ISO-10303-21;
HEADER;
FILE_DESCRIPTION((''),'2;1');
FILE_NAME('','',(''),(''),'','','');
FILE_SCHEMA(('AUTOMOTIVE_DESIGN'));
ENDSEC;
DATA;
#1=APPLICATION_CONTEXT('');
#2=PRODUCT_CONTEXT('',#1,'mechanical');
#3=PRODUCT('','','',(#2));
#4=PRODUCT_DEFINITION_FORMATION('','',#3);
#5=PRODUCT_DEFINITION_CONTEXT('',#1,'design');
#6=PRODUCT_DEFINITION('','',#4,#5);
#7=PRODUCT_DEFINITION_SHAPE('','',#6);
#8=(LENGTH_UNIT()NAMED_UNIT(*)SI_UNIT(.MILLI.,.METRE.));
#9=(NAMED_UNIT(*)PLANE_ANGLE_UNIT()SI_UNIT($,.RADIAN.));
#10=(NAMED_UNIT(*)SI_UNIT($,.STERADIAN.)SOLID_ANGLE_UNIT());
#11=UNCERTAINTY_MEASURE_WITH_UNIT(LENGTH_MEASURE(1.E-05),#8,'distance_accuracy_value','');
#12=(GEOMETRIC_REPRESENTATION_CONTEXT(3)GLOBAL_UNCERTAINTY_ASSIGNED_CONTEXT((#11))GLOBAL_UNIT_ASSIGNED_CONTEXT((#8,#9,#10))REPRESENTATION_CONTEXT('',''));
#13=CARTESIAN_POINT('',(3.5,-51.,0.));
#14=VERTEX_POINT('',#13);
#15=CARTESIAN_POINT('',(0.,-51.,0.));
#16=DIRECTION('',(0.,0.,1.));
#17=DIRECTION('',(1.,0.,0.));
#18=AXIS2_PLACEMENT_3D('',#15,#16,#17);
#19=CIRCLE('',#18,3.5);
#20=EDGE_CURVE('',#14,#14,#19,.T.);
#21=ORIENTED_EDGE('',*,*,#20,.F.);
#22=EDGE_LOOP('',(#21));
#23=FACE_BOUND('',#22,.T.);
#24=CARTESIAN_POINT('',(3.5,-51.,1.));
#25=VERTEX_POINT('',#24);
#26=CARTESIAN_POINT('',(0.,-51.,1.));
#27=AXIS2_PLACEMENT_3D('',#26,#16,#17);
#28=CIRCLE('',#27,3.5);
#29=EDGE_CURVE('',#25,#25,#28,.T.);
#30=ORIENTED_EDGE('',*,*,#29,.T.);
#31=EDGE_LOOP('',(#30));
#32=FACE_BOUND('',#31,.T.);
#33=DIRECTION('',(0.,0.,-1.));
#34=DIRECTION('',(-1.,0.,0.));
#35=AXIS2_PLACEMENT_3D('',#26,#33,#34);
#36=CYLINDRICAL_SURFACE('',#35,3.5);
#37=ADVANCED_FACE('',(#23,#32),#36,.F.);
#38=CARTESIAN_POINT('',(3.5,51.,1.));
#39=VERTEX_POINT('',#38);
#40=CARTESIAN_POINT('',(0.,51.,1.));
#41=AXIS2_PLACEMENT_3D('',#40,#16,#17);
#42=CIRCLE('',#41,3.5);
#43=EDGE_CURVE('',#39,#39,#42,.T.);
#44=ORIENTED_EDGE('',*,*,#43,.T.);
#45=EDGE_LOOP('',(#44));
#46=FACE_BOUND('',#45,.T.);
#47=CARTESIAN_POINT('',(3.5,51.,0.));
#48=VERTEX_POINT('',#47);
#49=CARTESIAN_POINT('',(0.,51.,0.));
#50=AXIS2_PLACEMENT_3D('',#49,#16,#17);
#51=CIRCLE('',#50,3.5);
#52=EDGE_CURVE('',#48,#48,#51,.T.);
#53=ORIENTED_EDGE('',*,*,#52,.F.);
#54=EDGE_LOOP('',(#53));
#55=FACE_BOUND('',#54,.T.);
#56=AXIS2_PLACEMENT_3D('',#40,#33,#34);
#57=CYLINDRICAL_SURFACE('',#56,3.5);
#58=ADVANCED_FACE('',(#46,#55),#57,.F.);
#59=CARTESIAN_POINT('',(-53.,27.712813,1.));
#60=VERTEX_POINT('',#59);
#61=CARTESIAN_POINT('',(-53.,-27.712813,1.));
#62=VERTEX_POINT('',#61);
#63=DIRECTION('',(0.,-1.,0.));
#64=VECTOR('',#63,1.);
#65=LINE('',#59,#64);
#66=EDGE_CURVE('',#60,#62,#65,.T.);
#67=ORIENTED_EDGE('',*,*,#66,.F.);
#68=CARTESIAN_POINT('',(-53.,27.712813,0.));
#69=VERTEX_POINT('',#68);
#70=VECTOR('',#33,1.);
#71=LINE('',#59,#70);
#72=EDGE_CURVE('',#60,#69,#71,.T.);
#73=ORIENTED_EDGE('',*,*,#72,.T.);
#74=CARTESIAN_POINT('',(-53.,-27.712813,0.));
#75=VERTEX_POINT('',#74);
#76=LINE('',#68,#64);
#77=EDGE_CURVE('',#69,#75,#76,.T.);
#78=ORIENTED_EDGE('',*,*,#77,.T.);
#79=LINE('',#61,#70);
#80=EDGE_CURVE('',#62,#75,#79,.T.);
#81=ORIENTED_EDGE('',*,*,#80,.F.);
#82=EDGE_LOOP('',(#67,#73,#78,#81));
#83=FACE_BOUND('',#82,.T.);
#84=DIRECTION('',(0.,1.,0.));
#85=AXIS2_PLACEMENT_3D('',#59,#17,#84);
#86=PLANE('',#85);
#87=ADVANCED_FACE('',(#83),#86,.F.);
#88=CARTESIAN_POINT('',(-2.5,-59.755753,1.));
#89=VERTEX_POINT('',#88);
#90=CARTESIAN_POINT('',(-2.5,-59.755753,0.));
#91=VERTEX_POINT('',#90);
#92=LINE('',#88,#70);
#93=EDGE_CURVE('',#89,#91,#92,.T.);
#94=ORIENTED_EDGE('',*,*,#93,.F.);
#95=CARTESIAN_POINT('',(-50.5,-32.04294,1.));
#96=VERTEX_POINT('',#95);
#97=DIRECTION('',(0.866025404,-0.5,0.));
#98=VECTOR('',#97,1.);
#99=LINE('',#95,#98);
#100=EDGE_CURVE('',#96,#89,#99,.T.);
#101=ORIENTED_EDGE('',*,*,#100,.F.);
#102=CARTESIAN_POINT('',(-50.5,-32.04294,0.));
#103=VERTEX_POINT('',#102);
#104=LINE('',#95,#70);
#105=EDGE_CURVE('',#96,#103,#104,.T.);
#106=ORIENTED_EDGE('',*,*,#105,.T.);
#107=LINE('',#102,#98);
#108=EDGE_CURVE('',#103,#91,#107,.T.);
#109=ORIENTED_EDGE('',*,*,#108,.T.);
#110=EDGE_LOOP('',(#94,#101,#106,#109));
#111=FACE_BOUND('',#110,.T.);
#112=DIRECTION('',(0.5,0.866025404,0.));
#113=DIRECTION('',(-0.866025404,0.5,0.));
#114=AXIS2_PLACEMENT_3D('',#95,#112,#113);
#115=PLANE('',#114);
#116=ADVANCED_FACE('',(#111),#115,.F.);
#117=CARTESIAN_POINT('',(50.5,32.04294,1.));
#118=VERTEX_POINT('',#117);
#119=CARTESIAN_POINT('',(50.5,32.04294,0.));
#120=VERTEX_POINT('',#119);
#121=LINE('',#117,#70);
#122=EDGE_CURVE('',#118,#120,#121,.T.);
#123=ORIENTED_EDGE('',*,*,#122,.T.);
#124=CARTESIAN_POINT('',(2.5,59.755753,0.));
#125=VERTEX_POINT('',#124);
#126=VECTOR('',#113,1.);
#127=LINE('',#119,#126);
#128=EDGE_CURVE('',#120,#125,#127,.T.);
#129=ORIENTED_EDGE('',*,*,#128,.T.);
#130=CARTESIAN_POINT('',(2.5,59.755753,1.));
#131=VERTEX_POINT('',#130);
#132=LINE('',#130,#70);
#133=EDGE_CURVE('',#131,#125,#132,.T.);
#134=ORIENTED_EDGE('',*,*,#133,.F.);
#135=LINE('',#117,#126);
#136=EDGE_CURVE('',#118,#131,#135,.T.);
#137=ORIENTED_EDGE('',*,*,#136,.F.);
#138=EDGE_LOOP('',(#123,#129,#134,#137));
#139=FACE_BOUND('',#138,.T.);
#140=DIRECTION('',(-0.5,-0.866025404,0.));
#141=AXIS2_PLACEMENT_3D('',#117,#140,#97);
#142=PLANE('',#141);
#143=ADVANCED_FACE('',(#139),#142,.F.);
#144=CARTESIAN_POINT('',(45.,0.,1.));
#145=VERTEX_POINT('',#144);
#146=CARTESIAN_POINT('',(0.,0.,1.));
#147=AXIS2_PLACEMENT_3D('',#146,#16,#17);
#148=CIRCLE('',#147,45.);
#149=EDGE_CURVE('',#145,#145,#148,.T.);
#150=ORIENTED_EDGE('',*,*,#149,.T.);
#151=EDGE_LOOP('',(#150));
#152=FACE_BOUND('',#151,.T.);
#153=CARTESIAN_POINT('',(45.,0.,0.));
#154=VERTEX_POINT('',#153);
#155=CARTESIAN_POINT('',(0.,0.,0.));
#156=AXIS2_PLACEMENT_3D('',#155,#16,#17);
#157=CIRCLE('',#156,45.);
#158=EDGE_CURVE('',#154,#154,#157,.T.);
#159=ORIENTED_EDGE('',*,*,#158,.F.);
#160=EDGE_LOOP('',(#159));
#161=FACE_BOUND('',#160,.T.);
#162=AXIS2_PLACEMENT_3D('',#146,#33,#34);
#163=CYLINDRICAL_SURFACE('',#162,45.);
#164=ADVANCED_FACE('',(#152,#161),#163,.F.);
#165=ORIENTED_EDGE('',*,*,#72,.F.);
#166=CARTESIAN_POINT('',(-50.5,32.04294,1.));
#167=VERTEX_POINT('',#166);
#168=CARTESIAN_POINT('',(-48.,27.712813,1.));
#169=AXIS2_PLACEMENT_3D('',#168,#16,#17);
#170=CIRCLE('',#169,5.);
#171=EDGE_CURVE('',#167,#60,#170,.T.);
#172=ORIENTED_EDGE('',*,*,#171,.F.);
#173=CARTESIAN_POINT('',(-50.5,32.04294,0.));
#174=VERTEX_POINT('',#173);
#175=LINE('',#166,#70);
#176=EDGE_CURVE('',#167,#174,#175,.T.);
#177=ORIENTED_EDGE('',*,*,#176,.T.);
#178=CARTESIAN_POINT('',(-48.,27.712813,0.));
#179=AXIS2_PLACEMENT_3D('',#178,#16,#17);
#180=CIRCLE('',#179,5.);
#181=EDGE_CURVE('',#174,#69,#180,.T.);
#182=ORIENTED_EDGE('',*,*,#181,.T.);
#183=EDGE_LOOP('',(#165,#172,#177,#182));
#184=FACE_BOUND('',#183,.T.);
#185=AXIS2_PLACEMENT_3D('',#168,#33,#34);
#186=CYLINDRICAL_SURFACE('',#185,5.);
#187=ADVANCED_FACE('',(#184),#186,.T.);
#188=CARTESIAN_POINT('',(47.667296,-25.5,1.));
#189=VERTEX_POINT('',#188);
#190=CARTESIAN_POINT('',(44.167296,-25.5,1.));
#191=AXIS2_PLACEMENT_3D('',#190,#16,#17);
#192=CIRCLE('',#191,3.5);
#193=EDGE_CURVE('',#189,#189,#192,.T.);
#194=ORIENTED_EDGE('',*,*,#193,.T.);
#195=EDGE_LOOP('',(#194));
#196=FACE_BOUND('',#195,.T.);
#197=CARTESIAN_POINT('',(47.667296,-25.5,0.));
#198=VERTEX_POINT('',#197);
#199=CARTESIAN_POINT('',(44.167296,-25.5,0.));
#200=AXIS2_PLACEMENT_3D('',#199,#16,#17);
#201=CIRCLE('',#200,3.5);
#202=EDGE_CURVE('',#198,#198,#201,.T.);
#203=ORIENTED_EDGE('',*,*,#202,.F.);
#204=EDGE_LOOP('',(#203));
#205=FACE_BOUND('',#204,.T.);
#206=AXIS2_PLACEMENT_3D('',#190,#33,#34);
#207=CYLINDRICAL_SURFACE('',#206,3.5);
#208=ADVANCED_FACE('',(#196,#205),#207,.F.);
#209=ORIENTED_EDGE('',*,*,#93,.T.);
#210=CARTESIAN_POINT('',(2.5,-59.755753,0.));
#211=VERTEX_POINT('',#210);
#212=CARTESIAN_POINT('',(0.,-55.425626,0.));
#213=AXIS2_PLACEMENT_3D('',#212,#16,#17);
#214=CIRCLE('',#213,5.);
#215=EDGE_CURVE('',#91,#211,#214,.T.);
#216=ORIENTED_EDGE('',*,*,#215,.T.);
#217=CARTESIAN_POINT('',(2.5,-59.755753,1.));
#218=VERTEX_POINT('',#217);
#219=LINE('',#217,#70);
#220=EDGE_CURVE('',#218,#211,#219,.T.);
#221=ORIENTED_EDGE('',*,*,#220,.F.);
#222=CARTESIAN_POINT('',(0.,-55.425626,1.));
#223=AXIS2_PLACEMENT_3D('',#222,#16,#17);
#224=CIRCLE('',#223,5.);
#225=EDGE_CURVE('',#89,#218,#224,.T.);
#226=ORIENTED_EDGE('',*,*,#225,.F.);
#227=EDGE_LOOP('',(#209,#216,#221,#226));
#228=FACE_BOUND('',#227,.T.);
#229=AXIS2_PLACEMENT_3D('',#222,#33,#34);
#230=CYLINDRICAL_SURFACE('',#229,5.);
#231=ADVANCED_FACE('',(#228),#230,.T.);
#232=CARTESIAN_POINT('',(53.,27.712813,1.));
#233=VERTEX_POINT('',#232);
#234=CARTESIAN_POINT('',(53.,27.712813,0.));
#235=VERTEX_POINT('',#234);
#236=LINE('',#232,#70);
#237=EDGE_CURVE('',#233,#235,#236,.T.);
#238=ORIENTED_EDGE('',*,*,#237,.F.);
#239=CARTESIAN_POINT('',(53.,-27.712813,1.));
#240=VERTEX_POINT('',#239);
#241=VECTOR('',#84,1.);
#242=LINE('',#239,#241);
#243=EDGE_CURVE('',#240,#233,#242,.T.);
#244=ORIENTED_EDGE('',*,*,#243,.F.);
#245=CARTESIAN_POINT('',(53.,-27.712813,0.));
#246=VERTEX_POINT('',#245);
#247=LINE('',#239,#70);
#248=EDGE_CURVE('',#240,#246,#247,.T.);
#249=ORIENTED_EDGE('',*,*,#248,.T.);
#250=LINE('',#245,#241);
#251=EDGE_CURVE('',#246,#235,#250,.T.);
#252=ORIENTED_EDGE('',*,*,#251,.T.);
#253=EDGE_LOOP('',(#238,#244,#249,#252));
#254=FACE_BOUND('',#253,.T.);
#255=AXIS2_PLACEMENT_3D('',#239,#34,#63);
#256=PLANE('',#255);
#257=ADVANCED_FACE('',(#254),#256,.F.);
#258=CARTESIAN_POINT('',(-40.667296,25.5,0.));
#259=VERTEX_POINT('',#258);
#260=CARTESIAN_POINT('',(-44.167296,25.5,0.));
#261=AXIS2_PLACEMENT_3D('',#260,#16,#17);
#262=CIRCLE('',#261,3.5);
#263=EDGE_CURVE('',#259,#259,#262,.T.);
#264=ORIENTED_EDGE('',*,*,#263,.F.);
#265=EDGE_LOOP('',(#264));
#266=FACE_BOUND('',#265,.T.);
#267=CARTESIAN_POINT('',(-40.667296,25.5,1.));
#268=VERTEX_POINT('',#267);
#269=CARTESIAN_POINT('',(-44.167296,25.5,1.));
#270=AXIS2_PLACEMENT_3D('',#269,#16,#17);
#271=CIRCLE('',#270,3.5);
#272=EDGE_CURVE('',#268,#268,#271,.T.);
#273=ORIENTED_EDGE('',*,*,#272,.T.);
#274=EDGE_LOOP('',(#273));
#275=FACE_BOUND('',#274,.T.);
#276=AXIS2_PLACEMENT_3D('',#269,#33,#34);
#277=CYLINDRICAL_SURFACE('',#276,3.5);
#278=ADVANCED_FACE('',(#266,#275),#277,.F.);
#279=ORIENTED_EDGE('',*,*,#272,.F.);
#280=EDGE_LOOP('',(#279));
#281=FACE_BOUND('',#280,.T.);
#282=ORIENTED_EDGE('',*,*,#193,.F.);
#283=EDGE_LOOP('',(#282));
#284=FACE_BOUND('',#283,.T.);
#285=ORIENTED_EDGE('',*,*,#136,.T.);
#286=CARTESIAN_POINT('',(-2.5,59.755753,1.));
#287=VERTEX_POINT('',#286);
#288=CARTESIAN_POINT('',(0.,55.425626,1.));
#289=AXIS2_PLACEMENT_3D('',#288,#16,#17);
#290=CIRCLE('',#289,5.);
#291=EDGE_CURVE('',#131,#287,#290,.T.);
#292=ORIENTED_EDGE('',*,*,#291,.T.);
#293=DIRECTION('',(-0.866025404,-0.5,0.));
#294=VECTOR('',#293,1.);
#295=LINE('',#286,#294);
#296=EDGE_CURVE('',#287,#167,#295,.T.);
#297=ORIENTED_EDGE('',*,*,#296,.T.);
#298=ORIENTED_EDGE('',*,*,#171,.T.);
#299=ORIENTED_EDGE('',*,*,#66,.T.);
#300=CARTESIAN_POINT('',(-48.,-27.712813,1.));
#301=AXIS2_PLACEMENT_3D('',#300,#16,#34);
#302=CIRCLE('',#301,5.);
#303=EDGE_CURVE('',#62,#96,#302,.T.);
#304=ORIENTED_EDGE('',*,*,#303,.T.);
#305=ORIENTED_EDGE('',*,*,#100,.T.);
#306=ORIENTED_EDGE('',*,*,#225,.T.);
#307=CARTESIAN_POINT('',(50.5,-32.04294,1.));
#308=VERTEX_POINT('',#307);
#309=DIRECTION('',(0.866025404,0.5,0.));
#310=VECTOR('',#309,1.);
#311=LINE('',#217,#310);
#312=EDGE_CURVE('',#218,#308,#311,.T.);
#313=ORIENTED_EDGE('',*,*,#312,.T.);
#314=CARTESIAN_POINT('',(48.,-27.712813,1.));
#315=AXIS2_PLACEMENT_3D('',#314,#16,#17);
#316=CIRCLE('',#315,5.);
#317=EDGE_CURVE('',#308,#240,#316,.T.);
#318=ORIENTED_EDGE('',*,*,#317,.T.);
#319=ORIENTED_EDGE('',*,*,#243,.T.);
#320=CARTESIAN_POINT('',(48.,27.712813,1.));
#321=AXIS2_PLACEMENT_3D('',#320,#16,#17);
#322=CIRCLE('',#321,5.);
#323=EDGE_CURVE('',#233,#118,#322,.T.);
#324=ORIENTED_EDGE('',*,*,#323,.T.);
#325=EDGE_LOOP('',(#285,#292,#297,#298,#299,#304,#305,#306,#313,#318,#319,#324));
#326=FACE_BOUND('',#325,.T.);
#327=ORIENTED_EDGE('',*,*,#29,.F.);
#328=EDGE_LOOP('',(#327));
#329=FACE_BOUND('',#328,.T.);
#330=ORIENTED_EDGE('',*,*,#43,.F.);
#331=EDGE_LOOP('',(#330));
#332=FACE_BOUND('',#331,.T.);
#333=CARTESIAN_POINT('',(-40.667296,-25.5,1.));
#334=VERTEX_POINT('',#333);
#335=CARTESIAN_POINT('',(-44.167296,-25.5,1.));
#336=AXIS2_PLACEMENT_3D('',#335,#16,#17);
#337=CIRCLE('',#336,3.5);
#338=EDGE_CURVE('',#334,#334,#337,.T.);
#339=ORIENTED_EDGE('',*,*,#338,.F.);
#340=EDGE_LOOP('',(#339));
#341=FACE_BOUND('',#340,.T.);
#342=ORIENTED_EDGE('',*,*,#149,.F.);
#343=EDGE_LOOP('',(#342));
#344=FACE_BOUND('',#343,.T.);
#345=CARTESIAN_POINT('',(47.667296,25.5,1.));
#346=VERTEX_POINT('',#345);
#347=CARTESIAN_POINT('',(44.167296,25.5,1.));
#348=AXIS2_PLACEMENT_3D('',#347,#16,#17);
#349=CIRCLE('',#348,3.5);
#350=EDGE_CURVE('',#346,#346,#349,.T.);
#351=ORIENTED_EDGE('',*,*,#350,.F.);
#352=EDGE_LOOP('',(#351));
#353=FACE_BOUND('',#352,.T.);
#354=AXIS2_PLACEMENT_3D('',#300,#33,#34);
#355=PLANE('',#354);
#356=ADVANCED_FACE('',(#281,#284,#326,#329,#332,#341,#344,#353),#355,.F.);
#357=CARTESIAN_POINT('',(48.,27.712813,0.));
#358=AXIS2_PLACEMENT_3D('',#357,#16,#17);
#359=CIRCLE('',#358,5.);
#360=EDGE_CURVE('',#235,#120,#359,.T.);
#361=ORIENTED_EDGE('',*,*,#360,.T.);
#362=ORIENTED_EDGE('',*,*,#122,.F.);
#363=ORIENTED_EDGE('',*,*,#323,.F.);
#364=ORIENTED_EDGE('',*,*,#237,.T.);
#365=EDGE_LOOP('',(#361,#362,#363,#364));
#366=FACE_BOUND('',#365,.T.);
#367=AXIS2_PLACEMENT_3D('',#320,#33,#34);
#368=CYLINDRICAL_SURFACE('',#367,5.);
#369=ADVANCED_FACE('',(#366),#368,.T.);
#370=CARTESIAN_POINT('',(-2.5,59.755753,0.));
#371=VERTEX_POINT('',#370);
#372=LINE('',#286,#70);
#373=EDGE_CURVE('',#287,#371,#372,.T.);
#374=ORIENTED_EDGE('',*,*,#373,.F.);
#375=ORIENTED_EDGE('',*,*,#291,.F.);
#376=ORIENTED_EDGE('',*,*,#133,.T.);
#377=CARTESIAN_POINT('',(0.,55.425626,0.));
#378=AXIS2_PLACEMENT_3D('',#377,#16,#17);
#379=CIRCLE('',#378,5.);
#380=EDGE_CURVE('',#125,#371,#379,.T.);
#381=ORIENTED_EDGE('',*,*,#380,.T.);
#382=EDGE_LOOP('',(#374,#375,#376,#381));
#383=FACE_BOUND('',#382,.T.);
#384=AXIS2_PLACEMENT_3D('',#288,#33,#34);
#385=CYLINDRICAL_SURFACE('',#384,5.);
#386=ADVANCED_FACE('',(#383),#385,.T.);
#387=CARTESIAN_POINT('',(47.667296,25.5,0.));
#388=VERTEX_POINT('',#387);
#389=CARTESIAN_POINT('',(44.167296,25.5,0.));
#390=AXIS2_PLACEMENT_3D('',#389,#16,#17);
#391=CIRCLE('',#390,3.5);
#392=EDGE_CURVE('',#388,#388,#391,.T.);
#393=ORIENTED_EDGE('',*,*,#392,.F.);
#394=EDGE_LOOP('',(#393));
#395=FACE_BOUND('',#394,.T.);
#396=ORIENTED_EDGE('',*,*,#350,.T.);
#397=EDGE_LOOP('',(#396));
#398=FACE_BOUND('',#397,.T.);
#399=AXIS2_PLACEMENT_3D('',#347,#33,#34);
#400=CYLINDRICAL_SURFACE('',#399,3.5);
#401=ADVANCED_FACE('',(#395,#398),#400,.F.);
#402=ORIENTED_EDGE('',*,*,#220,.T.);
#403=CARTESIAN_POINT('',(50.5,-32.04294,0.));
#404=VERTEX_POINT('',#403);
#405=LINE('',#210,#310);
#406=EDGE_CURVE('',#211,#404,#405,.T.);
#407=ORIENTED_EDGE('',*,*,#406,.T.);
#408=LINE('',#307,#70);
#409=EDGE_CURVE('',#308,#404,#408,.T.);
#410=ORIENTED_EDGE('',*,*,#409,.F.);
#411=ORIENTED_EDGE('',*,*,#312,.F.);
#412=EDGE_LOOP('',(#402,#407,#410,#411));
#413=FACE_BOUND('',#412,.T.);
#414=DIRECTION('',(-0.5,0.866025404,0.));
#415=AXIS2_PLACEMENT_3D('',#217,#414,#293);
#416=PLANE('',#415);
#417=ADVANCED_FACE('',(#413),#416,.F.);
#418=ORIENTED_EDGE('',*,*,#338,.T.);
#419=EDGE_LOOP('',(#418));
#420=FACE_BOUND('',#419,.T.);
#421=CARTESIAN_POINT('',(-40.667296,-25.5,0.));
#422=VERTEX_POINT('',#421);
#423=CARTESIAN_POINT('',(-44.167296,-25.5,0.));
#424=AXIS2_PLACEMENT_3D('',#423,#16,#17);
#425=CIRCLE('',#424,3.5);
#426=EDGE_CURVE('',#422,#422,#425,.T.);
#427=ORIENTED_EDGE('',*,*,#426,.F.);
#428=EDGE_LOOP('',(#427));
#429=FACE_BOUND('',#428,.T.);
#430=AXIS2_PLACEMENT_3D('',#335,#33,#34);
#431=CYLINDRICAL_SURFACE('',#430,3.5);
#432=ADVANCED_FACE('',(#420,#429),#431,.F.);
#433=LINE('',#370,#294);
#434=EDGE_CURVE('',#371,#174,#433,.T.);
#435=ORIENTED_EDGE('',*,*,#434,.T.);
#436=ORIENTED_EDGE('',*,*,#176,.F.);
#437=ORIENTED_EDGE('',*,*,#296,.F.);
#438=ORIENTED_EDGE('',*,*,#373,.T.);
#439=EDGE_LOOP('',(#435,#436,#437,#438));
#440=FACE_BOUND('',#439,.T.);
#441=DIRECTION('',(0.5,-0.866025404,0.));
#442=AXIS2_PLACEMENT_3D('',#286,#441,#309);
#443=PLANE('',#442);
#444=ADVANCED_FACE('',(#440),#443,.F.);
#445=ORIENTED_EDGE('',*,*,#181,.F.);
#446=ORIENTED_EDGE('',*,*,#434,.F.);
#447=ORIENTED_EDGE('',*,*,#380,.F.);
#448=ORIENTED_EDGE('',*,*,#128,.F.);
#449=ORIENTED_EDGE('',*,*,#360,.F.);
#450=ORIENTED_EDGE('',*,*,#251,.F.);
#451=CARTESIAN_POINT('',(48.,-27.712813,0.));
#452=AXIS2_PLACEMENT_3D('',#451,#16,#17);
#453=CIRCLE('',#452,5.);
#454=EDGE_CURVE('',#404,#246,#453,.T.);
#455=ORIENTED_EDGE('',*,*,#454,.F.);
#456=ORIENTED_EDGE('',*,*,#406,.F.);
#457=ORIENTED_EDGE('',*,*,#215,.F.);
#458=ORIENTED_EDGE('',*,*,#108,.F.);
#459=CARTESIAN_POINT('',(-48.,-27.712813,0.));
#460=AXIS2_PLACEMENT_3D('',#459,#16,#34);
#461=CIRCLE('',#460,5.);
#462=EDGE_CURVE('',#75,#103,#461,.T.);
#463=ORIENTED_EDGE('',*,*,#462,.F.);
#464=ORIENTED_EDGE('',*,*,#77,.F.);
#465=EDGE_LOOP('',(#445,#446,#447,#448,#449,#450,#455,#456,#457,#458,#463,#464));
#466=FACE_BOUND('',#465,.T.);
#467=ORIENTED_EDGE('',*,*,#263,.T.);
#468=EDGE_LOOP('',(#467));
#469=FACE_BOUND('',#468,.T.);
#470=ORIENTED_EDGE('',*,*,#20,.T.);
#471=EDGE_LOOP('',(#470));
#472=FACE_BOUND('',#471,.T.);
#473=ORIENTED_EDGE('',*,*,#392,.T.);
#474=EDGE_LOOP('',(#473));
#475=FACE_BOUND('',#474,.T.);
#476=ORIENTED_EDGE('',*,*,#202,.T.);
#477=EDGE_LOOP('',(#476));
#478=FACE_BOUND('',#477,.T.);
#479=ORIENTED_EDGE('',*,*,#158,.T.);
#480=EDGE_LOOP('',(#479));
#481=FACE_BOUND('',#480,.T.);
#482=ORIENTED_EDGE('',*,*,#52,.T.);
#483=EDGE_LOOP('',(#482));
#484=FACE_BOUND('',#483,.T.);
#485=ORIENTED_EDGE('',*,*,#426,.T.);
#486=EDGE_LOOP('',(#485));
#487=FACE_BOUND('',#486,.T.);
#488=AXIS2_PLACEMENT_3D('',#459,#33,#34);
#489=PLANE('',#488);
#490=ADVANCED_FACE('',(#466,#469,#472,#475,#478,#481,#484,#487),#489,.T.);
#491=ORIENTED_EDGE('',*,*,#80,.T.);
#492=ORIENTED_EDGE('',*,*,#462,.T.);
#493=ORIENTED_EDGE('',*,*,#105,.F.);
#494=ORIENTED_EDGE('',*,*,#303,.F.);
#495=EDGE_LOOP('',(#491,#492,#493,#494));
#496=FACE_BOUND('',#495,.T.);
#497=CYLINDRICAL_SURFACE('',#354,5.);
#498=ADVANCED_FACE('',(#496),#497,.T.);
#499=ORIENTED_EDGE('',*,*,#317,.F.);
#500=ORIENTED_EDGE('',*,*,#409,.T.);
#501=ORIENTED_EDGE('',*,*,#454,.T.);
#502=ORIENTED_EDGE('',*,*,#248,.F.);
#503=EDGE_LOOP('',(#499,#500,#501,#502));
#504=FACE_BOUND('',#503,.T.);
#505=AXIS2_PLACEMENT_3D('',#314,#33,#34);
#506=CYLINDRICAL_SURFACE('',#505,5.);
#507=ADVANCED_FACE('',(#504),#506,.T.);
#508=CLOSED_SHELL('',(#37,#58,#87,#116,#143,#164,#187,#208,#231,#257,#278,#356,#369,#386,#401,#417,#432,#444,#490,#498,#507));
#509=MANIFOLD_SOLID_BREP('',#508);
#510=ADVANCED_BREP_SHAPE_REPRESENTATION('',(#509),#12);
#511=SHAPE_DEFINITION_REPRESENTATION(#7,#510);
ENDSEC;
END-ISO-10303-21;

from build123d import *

# Parameters (mm, degrees)
SKETCH1_R           = 45
SKETCH1_R_2         = 3.5
BOSS_EXTRUDE1_DEPTH = 1


with BuildPart() as part:
    # Sketch1 → Boss-Extrude1 (new body)
    with BuildSketch(Plane.XY):
        with BuildLine():
            Line((-50.5, -32.04293994), (-2.5, -59.755752861))
            ThreePointArc((-2.5, -59.755752861), (0, -60.425625842), (2.5, -59.755752861))
            Line((2.5, -59.755752861), (50.5, -32.04293994))
            ThreePointArc((50.5, -32.04293994), (52.330127019, -30.212812921), (53, -27.712812921))
            Line((53, -27.712812921), (53, 27.712812921))
            ThreePointArc((53, 27.712812921), (52.330127019, 30.212812921), (50.5, 32.04293994))
            Line((50.5, 32.04293994), (2.5, 59.755752861))
            ThreePointArc((2.5, 59.755752861), (0, 60.425625842), (-2.5, 59.755752861))
            Line((-2.5, 59.755752861), (-50.5, 32.04293994))
            ThreePointArc((-50.5, 32.04293994), (-52.330127019, 30.212812921), (-53, 27.712812921))
            Line((-53, 27.712812921), (-53, -27.712812921))
            ThreePointArc((-53, -27.712812921), (-52.330127019, -30.212812921), (-50.5, -32.04293994))
        make_face()
        Circle(SKETCH1_R, mode=Mode.SUBTRACT)
        with Locations((0, 51)):
            Circle(SKETCH1_R_2, mode=Mode.SUBTRACT)
        with Locations((44.167295593, 25.5)):
            Circle(SKETCH1_R_2, mode=Mode.SUBTRACT)
        with Locations((44.167295593, -25.5)):
            Circle(SKETCH1_R_2, mode=Mode.SUBTRACT)
        with Locations((0, -51)):
            Circle(SKETCH1_R_2, mode=Mode.SUBTRACT)
        with Locations((-44.167295593, -25.5)):
            Circle(SKETCH1_R_2, mode=Mode.SUBTRACT)
        with Locations((-44.167295593, 25.5)):
            Circle(SKETCH1_R_2, mode=Mode.SUBTRACT)
    extrude(amount=BOSS_EXTRUDE1_DEPTH)


solid = part.part
